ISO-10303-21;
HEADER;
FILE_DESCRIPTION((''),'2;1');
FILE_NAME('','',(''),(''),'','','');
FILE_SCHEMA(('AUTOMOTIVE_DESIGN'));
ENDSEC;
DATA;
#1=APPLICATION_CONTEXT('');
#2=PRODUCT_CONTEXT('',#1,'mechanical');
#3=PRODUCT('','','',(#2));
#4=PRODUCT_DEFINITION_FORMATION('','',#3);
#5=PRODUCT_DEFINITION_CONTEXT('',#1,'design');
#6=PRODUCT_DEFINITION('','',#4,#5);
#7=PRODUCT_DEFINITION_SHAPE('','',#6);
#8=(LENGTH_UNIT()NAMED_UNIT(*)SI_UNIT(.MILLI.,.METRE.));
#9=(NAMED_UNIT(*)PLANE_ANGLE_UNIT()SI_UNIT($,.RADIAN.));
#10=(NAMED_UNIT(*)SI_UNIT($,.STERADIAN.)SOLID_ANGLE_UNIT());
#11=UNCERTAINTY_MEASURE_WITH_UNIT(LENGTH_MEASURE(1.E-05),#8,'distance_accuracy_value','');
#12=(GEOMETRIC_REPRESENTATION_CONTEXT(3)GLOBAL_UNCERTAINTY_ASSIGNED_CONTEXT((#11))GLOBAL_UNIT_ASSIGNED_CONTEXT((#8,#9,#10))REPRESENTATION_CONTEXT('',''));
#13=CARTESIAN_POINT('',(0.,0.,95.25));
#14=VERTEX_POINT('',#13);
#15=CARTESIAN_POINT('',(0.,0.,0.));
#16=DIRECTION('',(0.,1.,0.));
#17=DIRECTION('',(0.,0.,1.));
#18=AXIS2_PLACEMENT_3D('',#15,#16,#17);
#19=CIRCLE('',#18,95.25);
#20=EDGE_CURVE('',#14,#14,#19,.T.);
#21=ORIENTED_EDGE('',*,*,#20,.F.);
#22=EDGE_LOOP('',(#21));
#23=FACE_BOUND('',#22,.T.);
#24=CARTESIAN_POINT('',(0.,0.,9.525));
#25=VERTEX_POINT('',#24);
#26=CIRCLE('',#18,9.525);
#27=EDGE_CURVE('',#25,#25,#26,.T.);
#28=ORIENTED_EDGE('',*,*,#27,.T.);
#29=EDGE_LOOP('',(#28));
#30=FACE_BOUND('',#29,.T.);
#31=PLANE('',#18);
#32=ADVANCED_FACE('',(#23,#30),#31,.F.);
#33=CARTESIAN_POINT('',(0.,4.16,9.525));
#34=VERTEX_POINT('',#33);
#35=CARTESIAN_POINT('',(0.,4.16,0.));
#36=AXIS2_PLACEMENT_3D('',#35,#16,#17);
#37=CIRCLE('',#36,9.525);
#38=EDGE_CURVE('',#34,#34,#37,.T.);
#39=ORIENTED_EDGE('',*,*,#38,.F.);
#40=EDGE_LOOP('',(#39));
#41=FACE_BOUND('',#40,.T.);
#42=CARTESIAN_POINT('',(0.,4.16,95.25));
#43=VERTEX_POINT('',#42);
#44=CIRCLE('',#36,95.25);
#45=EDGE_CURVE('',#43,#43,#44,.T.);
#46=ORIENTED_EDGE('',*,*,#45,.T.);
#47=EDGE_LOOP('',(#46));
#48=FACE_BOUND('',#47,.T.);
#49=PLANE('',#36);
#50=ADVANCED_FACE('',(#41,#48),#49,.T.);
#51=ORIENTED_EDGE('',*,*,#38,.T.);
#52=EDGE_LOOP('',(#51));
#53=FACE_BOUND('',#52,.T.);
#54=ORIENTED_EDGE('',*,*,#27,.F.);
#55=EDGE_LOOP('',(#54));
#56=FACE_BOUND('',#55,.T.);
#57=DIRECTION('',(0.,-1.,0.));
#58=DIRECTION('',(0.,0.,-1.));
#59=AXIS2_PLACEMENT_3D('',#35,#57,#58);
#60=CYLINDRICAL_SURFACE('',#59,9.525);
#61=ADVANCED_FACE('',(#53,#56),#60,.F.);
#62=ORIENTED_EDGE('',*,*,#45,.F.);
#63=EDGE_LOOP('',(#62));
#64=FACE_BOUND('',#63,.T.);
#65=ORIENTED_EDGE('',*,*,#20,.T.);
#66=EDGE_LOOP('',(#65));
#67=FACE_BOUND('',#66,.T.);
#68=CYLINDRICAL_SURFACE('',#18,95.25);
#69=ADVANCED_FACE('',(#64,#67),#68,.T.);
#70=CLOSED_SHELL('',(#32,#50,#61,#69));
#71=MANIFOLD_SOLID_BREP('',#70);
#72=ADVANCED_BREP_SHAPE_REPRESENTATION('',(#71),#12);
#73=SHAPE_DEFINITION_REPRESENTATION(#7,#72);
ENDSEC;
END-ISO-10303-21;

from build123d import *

# Parameters (mm, degrees)
SKETCH1_R           = 114.3
SKETCH1_R_2         = 9.525
BOSS_EXTRUDE1_DEPTH = 4.16
SKETCH2_R           = 131.950649673
SKETCH2_R_2         = 95.25
CUT_EXTRUDE1_DEPTH  = 5.16


with BuildPart() as part:
    # Sketch1 → Boss-Extrude1 (new body)
    with BuildSketch(Plane(origin=(0, 0, 0), x_dir=(1, 0, 0), z_dir=(0, 1, 0))):
        Circle(SKETCH1_R)
        Circle(SKETCH1_R_2, mode=Mode.SUBTRACT)
    extrude(amount=BOSS_EXTRUDE1_DEPTH)

    # Sketch2 → Cut-Extrude1 (cut, through all)
    with BuildSketch(Plane(origin=(0, 4.16, 0), x_dir=(1, 0, 0), z_dir=(0, 1, 0))):
        Circle(SKETCH2_R)
        Circle(SKETCH2_R_2, mode=Mode.SUBTRACT)
    extrude(amount=-CUT_EXTRUDE1_DEPTH, mode=Mode.SUBTRACT)


solid = part.part
